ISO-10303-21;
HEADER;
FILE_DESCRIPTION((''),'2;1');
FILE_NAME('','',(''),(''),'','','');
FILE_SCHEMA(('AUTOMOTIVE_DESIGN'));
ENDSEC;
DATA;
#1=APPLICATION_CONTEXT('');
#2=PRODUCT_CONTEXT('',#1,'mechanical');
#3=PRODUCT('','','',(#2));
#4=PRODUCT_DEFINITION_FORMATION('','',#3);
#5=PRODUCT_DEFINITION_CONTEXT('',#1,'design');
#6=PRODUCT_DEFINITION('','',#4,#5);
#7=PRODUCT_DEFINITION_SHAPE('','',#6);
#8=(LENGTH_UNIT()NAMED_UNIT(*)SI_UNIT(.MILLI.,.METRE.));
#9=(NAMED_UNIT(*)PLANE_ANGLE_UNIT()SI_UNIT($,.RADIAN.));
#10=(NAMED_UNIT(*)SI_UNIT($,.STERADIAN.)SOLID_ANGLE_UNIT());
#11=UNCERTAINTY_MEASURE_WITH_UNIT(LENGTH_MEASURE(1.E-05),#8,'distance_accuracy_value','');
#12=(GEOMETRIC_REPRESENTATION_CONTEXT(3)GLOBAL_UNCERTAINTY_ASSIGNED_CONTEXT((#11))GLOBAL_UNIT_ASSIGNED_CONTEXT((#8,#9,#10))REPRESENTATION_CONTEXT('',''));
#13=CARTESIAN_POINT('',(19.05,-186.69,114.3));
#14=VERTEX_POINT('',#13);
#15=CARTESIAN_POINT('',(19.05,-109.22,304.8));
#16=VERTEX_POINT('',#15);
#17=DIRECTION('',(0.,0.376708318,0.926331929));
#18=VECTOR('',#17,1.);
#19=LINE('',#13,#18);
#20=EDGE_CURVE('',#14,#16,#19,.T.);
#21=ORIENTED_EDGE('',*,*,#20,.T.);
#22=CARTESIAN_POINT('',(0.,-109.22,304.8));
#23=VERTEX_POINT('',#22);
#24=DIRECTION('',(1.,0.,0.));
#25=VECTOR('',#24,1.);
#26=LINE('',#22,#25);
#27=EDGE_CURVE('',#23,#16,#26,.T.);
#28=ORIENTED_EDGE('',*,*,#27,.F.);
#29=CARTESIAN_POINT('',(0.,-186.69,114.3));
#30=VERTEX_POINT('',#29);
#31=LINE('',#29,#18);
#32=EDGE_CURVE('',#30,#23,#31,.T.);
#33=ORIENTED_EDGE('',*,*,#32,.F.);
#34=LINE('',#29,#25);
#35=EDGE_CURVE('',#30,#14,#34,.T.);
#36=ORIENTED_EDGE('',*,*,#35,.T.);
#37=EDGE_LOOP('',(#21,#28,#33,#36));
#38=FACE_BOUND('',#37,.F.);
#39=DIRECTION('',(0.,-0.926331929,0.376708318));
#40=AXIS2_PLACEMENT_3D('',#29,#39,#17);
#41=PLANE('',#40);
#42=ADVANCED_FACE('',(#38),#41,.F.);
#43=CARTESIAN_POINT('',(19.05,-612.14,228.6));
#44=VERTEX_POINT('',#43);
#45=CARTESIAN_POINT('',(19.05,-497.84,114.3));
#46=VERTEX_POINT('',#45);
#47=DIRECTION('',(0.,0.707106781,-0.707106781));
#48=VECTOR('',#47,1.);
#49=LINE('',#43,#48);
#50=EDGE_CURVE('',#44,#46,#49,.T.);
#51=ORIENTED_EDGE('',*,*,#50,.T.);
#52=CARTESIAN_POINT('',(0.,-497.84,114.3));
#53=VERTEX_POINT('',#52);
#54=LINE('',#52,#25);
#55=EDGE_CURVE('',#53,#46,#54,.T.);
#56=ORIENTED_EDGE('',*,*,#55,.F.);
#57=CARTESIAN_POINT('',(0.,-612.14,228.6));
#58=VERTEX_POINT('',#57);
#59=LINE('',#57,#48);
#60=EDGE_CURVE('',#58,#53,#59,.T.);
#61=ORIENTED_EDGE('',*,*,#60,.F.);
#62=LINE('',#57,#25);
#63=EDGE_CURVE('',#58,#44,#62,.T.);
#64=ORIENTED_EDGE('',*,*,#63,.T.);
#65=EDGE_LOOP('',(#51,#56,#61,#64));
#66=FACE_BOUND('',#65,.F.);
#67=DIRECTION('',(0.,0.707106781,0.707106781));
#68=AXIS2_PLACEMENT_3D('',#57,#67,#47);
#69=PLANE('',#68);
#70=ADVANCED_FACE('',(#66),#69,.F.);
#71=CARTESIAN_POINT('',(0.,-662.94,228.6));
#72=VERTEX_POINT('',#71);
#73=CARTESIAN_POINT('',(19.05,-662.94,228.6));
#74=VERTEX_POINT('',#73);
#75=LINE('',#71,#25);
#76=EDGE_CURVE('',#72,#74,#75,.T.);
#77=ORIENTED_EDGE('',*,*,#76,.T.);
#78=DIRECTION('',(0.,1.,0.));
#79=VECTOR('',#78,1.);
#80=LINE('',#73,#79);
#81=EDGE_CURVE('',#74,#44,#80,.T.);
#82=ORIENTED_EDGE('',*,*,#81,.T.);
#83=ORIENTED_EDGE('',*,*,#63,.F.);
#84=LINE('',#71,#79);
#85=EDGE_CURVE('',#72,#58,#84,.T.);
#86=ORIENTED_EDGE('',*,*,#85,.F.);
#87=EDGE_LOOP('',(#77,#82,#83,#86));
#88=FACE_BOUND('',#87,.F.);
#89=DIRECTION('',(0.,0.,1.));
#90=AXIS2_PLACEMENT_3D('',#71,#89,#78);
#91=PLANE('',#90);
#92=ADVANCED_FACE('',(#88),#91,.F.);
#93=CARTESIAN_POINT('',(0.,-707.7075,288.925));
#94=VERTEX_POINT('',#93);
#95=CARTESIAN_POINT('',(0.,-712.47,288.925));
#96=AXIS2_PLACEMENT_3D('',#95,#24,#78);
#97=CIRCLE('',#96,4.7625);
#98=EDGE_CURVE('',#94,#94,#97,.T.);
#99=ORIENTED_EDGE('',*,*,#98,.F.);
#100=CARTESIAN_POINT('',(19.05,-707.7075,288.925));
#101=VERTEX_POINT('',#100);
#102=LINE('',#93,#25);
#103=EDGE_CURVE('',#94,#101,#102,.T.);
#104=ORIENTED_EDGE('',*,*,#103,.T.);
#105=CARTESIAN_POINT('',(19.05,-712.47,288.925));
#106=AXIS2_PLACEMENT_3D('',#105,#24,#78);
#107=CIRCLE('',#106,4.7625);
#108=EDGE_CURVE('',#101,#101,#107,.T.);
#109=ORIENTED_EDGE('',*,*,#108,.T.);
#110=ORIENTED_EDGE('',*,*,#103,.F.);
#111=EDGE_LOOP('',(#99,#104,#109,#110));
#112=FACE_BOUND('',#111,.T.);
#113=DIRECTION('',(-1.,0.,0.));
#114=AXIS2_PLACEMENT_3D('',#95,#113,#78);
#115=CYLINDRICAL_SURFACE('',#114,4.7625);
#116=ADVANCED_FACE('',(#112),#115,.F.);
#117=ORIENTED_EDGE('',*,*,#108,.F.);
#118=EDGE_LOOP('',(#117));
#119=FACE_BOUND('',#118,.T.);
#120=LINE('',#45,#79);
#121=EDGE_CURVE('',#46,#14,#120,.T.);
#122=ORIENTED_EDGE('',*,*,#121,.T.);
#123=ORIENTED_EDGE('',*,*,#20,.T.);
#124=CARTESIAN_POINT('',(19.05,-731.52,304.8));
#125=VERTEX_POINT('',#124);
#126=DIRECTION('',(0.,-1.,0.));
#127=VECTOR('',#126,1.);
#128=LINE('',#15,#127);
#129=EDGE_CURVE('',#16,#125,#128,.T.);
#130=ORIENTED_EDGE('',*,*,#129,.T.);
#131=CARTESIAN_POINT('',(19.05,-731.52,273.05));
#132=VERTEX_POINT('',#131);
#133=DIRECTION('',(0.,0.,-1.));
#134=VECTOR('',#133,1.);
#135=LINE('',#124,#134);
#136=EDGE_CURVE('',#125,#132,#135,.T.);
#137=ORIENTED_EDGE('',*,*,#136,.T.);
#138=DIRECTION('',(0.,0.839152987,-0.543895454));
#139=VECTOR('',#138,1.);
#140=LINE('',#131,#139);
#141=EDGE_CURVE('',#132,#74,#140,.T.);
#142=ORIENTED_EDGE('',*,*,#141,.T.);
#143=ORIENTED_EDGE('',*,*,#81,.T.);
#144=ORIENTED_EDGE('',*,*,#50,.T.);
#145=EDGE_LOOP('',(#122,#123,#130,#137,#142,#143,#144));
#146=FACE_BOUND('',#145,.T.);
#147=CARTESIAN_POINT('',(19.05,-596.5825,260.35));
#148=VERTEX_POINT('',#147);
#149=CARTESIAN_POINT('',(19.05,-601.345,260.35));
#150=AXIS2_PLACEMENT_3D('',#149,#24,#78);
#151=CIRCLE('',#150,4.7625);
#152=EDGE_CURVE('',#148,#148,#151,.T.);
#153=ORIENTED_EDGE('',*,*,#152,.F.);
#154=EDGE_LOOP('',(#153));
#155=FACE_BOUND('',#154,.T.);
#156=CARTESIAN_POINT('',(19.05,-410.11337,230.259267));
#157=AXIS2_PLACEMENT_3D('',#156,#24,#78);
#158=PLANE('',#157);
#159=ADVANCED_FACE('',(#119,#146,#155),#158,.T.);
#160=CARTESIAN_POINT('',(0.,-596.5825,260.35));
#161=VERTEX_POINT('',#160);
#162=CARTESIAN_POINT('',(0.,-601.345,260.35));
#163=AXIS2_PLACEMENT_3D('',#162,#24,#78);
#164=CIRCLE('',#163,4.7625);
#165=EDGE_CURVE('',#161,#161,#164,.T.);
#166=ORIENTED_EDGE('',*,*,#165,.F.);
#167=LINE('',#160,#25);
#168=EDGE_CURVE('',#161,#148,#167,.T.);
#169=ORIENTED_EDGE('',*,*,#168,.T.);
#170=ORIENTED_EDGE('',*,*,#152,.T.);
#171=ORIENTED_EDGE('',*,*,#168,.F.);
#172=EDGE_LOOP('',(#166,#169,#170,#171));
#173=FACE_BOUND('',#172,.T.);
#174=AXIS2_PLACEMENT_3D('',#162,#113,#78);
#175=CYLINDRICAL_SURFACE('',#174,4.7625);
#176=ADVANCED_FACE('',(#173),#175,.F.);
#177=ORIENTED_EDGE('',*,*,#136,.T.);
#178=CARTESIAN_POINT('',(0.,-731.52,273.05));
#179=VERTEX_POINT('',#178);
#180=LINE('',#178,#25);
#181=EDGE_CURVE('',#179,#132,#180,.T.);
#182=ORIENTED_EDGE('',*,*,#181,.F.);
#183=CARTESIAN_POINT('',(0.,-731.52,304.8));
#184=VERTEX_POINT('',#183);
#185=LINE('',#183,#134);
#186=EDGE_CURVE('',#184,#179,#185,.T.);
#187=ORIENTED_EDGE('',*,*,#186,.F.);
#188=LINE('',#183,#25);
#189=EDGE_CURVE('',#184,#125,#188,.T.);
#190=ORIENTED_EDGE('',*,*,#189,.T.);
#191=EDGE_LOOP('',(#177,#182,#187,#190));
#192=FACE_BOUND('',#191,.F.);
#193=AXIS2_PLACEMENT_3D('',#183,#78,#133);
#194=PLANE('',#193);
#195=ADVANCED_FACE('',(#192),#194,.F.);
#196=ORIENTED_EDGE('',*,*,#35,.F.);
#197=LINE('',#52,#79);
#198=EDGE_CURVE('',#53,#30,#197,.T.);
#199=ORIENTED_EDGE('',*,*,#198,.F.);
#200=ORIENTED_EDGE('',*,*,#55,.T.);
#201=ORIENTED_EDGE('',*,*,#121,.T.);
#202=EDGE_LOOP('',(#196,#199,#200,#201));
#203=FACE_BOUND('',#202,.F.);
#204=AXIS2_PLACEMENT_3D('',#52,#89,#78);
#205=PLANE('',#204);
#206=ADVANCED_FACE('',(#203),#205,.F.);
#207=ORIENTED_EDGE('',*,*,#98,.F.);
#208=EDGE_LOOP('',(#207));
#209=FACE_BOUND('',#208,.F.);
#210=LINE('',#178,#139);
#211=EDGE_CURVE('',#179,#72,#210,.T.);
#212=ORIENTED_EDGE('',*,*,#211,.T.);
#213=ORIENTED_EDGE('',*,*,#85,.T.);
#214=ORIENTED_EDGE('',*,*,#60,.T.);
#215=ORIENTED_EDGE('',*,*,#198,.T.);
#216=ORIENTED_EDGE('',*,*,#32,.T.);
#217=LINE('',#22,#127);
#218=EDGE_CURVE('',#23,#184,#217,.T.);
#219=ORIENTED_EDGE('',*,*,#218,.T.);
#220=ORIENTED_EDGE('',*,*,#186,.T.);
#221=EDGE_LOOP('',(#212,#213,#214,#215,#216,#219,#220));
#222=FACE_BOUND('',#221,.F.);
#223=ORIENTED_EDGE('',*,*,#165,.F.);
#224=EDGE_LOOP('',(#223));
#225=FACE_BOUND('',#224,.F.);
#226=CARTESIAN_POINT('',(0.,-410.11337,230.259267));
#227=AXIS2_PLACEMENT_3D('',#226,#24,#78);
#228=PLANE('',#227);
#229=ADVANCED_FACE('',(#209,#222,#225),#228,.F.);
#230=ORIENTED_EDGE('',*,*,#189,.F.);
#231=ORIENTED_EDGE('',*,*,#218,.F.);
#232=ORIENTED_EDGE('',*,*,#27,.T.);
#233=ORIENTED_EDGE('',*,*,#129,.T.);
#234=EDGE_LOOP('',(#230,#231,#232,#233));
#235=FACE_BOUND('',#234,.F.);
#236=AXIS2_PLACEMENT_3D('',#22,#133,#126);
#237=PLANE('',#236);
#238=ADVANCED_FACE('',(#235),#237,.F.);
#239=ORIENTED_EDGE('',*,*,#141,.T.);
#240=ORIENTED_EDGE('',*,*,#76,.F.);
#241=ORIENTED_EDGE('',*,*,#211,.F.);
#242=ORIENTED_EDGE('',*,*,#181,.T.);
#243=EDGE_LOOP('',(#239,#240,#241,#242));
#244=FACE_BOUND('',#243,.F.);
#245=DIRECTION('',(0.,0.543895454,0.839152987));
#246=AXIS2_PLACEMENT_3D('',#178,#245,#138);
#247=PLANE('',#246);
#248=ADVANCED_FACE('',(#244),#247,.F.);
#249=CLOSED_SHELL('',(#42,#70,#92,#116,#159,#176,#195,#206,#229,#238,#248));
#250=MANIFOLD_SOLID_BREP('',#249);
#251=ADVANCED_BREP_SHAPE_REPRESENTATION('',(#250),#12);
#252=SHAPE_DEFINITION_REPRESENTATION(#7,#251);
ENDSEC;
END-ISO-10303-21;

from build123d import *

# Parameters (mm, degrees)
F2_R     = 4.7625
F3_DEPTH = 19.05


with BuildPart() as f3:
    # F2 (on Right) → F3 (new body)
    with BuildSketch(Plane.YZ):
        Polygon((-612.14, 228.6), (-497.84, 114.3), (-186.69, 114.3), (-109.22, 304.8), (-731.52, 304.8), (-731.52, 273.05), (-662.94, 228.6), align=None)
        with Locations((-601.345, 260.35)):
            Circle(F2_R, mode=Mode.SUBTRACT)
        with Locations((-712.47, 288.925)):
            Circle(F2_R, mode=Mode.SUBTRACT)
    extrude(amount=F3_DEPTH)


solid = f3.part
